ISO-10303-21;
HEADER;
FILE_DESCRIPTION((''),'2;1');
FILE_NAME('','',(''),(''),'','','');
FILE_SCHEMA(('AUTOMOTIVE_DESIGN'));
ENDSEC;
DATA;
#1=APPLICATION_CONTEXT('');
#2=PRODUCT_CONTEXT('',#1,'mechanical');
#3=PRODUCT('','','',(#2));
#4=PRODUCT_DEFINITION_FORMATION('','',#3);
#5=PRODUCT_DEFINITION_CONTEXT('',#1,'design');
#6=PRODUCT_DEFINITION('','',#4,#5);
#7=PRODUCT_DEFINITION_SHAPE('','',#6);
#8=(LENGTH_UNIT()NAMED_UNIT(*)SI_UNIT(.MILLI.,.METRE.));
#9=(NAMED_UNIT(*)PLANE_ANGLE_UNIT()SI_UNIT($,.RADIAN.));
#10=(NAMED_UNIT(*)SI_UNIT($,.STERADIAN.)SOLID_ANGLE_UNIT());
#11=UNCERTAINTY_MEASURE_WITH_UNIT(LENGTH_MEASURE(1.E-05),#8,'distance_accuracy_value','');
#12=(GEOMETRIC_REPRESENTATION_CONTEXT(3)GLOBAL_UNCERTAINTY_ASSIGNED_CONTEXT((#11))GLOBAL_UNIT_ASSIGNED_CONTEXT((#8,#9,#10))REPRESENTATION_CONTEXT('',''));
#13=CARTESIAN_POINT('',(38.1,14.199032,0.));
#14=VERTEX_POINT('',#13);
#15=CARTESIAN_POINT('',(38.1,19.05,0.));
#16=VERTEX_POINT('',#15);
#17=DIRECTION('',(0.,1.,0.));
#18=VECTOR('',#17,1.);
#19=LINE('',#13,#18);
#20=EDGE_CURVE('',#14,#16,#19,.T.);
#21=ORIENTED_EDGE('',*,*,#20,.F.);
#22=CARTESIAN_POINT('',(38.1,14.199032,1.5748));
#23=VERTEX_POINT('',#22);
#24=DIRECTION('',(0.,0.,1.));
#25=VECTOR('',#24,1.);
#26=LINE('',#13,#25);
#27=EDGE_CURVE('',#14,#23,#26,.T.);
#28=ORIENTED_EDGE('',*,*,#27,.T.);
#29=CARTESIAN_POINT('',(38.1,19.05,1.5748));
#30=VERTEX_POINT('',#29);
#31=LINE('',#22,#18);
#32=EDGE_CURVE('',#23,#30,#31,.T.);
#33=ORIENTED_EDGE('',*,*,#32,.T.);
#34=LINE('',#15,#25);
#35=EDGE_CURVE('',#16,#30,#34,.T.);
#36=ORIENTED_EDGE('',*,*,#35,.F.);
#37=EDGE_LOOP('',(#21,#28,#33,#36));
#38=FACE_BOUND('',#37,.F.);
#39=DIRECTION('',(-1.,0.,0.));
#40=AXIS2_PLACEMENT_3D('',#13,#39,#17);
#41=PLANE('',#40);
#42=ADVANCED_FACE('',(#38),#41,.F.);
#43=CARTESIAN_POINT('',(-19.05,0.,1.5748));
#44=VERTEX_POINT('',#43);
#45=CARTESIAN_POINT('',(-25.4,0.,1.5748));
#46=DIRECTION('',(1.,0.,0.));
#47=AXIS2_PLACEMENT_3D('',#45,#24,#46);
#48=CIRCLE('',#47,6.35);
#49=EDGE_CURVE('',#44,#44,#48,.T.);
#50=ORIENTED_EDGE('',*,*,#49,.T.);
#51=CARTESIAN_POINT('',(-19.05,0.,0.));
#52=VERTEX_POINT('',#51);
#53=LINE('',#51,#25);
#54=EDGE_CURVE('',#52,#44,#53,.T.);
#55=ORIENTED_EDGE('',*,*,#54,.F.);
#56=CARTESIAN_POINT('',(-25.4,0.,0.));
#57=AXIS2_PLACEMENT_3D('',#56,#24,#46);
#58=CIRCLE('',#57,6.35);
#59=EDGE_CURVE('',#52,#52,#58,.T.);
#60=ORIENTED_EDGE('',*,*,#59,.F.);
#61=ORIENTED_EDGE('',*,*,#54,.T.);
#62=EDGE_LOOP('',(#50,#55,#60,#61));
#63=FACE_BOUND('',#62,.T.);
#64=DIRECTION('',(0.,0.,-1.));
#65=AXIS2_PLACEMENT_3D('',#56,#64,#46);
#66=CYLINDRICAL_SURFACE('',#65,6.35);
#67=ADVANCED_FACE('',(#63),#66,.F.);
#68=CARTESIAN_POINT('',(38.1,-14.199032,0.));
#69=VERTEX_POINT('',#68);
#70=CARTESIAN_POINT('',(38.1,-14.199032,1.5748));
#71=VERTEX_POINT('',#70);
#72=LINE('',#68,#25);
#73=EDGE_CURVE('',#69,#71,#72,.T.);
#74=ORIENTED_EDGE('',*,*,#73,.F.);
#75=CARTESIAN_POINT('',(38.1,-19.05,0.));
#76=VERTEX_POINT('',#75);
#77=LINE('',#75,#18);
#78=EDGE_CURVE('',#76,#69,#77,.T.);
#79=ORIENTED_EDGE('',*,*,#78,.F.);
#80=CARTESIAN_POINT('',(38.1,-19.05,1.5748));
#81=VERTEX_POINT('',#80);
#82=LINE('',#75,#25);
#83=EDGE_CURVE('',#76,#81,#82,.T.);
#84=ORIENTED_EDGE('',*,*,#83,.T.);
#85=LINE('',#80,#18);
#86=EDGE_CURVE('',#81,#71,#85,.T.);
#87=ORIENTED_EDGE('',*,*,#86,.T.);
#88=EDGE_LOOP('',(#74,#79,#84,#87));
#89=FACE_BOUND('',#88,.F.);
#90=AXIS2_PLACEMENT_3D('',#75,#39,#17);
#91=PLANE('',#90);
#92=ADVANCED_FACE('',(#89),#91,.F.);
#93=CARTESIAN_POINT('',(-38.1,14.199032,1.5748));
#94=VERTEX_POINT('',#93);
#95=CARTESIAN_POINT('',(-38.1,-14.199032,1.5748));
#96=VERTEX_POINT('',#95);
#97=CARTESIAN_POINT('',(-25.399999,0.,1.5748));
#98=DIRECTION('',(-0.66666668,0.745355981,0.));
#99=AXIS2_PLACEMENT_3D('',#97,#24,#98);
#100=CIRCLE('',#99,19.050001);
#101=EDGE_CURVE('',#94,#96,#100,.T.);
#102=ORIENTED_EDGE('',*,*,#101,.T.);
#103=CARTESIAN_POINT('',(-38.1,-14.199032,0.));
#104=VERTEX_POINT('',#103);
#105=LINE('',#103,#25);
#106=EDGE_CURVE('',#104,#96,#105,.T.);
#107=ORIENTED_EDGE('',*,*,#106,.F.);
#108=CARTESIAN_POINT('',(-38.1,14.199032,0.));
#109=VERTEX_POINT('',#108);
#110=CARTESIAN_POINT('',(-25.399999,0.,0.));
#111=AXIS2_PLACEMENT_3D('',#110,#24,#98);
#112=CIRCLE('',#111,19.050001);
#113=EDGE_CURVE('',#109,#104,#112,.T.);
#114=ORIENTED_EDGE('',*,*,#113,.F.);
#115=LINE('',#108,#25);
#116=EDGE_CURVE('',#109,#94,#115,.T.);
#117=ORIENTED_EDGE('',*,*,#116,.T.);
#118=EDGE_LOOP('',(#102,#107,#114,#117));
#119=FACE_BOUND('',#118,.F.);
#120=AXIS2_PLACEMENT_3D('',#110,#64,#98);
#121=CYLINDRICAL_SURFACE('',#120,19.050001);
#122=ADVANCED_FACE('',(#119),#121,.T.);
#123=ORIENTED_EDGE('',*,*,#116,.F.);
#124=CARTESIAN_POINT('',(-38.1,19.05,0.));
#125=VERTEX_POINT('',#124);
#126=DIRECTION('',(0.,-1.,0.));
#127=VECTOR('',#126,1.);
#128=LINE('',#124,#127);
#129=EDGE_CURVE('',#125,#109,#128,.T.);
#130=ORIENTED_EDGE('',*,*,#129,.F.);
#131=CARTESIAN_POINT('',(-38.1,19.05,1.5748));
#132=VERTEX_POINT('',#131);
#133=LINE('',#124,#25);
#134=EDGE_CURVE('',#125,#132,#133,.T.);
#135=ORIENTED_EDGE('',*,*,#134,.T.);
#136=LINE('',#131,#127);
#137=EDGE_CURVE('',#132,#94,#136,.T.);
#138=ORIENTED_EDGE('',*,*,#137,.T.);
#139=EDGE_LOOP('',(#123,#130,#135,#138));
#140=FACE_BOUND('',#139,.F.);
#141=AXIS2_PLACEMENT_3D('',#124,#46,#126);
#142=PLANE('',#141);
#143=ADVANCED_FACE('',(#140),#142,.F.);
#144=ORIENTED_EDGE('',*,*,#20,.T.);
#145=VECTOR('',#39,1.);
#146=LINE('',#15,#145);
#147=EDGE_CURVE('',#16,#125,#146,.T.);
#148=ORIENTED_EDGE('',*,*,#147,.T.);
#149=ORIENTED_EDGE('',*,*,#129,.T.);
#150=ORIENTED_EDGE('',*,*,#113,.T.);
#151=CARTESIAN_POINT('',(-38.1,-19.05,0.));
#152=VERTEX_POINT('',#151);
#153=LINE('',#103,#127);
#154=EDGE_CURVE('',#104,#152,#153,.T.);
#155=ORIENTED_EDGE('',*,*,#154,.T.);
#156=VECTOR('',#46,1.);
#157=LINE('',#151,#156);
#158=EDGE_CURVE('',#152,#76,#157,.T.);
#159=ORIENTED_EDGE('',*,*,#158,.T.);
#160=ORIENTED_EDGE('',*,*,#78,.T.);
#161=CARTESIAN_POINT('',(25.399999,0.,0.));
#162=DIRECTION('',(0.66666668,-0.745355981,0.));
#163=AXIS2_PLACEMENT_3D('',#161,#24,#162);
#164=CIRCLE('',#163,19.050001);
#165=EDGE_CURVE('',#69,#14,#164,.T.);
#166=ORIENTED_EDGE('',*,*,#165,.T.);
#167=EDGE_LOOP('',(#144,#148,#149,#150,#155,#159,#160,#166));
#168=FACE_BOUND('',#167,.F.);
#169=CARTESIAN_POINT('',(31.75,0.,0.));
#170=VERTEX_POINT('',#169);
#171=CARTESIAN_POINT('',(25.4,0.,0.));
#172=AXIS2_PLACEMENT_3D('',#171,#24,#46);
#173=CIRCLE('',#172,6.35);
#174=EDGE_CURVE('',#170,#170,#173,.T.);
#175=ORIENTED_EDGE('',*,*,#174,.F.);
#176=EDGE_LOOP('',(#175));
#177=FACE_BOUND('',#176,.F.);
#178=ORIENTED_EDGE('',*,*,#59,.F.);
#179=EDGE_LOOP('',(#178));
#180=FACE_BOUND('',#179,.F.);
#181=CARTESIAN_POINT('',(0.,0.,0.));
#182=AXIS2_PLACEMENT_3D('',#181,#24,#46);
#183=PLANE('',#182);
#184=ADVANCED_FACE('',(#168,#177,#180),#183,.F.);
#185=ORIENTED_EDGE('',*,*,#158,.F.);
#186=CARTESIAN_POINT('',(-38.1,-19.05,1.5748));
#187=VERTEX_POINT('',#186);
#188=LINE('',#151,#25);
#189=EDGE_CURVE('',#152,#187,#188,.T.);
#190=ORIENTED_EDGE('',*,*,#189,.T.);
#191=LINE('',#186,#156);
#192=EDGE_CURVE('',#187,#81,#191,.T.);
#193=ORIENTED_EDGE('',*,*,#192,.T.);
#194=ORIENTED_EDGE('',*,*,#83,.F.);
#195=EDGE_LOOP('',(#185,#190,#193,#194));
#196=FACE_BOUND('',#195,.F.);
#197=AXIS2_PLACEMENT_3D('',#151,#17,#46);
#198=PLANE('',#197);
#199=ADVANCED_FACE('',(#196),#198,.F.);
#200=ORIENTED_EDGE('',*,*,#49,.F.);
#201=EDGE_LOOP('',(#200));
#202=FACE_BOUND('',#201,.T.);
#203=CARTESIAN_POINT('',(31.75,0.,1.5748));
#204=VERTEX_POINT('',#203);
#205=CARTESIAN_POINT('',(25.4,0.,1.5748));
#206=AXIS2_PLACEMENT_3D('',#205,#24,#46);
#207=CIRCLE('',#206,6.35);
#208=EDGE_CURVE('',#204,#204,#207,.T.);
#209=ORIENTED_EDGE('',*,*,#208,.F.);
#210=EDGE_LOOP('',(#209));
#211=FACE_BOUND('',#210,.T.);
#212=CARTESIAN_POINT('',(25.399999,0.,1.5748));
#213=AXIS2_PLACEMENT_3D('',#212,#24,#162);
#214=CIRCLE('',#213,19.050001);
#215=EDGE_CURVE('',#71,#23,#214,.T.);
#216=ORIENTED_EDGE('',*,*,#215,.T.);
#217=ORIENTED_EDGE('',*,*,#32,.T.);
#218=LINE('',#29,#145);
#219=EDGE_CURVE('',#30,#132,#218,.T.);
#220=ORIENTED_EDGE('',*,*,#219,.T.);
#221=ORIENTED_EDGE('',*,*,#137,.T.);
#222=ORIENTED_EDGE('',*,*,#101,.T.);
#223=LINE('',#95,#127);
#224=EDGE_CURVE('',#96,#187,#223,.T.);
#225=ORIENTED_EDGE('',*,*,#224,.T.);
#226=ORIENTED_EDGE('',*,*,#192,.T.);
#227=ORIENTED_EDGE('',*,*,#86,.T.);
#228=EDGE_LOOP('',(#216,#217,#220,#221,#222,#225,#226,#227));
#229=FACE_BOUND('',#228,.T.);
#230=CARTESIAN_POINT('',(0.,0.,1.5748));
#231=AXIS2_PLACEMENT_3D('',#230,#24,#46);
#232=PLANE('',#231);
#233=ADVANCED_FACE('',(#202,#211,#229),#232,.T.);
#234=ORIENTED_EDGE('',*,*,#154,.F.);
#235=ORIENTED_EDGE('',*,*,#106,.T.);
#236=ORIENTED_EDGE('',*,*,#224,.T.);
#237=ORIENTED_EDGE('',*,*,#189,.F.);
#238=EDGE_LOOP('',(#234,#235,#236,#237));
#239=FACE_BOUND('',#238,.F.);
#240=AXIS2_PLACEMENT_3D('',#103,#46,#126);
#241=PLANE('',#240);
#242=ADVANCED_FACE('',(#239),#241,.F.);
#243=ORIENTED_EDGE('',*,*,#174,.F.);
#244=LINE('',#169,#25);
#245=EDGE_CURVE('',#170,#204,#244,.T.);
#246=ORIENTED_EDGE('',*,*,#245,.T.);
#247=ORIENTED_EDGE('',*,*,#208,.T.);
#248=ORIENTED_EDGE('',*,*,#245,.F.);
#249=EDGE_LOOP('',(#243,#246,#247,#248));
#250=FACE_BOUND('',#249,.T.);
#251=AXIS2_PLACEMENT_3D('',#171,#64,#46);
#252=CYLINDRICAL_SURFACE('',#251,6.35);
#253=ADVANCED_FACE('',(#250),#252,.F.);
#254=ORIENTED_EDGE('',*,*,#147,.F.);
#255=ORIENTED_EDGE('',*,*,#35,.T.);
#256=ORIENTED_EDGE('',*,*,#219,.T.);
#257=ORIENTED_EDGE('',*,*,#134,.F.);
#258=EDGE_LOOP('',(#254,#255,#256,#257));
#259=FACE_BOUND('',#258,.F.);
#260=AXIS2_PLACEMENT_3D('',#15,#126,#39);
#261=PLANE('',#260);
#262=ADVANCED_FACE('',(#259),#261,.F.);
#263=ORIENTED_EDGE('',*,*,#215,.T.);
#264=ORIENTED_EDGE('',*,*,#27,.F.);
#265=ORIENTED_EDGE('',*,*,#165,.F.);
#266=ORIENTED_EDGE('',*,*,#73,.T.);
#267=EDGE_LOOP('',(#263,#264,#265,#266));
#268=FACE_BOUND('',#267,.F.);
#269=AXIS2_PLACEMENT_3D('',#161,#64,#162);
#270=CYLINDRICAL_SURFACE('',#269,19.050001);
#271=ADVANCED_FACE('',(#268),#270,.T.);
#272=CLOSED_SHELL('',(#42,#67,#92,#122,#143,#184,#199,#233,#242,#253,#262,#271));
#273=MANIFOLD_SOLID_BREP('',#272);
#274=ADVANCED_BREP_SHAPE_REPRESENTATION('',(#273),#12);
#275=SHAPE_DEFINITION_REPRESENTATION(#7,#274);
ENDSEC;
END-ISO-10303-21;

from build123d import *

# Parameters (mm, degrees)
F0_R     = 6.35
F1_DEPTH = 1.5748


with BuildPart() as f1:
    # F0 (on Top) → F1 (new body)
    with BuildSketch(Plane.XY):
        with BuildLine():
            Line((38.1, 19.05), (-38.1, 19.05))
            Line((-38.1, 19.05), (-38.1, 14.199032))
            ThreePointArc((-38.1, 14.199032), (-44.45, 0), (-38.1, -14.199032))
            Line((-38.1, -14.199032), (-38.1, -19.05))
            Line((-38.1, -19.05), (38.1, -19.05))
            Line((38.1, -19.05), (38.1, -14.199032))
            ThreePointArc((38.1, -14.199032), (44.45, 0), (38.1, 14.199032))
            Line((38.1, 14.199032), (38.1, 19.05))
        make_face()
        with Locations((-25.4, 0)):
            Circle(F0_R, mode=Mode.SUBTRACT)
        with Locations((25.4, 0)):
            Circle(F0_R, mode=Mode.SUBTRACT)
    extrude(amount=F1_DEPTH)


solid = f1.part
